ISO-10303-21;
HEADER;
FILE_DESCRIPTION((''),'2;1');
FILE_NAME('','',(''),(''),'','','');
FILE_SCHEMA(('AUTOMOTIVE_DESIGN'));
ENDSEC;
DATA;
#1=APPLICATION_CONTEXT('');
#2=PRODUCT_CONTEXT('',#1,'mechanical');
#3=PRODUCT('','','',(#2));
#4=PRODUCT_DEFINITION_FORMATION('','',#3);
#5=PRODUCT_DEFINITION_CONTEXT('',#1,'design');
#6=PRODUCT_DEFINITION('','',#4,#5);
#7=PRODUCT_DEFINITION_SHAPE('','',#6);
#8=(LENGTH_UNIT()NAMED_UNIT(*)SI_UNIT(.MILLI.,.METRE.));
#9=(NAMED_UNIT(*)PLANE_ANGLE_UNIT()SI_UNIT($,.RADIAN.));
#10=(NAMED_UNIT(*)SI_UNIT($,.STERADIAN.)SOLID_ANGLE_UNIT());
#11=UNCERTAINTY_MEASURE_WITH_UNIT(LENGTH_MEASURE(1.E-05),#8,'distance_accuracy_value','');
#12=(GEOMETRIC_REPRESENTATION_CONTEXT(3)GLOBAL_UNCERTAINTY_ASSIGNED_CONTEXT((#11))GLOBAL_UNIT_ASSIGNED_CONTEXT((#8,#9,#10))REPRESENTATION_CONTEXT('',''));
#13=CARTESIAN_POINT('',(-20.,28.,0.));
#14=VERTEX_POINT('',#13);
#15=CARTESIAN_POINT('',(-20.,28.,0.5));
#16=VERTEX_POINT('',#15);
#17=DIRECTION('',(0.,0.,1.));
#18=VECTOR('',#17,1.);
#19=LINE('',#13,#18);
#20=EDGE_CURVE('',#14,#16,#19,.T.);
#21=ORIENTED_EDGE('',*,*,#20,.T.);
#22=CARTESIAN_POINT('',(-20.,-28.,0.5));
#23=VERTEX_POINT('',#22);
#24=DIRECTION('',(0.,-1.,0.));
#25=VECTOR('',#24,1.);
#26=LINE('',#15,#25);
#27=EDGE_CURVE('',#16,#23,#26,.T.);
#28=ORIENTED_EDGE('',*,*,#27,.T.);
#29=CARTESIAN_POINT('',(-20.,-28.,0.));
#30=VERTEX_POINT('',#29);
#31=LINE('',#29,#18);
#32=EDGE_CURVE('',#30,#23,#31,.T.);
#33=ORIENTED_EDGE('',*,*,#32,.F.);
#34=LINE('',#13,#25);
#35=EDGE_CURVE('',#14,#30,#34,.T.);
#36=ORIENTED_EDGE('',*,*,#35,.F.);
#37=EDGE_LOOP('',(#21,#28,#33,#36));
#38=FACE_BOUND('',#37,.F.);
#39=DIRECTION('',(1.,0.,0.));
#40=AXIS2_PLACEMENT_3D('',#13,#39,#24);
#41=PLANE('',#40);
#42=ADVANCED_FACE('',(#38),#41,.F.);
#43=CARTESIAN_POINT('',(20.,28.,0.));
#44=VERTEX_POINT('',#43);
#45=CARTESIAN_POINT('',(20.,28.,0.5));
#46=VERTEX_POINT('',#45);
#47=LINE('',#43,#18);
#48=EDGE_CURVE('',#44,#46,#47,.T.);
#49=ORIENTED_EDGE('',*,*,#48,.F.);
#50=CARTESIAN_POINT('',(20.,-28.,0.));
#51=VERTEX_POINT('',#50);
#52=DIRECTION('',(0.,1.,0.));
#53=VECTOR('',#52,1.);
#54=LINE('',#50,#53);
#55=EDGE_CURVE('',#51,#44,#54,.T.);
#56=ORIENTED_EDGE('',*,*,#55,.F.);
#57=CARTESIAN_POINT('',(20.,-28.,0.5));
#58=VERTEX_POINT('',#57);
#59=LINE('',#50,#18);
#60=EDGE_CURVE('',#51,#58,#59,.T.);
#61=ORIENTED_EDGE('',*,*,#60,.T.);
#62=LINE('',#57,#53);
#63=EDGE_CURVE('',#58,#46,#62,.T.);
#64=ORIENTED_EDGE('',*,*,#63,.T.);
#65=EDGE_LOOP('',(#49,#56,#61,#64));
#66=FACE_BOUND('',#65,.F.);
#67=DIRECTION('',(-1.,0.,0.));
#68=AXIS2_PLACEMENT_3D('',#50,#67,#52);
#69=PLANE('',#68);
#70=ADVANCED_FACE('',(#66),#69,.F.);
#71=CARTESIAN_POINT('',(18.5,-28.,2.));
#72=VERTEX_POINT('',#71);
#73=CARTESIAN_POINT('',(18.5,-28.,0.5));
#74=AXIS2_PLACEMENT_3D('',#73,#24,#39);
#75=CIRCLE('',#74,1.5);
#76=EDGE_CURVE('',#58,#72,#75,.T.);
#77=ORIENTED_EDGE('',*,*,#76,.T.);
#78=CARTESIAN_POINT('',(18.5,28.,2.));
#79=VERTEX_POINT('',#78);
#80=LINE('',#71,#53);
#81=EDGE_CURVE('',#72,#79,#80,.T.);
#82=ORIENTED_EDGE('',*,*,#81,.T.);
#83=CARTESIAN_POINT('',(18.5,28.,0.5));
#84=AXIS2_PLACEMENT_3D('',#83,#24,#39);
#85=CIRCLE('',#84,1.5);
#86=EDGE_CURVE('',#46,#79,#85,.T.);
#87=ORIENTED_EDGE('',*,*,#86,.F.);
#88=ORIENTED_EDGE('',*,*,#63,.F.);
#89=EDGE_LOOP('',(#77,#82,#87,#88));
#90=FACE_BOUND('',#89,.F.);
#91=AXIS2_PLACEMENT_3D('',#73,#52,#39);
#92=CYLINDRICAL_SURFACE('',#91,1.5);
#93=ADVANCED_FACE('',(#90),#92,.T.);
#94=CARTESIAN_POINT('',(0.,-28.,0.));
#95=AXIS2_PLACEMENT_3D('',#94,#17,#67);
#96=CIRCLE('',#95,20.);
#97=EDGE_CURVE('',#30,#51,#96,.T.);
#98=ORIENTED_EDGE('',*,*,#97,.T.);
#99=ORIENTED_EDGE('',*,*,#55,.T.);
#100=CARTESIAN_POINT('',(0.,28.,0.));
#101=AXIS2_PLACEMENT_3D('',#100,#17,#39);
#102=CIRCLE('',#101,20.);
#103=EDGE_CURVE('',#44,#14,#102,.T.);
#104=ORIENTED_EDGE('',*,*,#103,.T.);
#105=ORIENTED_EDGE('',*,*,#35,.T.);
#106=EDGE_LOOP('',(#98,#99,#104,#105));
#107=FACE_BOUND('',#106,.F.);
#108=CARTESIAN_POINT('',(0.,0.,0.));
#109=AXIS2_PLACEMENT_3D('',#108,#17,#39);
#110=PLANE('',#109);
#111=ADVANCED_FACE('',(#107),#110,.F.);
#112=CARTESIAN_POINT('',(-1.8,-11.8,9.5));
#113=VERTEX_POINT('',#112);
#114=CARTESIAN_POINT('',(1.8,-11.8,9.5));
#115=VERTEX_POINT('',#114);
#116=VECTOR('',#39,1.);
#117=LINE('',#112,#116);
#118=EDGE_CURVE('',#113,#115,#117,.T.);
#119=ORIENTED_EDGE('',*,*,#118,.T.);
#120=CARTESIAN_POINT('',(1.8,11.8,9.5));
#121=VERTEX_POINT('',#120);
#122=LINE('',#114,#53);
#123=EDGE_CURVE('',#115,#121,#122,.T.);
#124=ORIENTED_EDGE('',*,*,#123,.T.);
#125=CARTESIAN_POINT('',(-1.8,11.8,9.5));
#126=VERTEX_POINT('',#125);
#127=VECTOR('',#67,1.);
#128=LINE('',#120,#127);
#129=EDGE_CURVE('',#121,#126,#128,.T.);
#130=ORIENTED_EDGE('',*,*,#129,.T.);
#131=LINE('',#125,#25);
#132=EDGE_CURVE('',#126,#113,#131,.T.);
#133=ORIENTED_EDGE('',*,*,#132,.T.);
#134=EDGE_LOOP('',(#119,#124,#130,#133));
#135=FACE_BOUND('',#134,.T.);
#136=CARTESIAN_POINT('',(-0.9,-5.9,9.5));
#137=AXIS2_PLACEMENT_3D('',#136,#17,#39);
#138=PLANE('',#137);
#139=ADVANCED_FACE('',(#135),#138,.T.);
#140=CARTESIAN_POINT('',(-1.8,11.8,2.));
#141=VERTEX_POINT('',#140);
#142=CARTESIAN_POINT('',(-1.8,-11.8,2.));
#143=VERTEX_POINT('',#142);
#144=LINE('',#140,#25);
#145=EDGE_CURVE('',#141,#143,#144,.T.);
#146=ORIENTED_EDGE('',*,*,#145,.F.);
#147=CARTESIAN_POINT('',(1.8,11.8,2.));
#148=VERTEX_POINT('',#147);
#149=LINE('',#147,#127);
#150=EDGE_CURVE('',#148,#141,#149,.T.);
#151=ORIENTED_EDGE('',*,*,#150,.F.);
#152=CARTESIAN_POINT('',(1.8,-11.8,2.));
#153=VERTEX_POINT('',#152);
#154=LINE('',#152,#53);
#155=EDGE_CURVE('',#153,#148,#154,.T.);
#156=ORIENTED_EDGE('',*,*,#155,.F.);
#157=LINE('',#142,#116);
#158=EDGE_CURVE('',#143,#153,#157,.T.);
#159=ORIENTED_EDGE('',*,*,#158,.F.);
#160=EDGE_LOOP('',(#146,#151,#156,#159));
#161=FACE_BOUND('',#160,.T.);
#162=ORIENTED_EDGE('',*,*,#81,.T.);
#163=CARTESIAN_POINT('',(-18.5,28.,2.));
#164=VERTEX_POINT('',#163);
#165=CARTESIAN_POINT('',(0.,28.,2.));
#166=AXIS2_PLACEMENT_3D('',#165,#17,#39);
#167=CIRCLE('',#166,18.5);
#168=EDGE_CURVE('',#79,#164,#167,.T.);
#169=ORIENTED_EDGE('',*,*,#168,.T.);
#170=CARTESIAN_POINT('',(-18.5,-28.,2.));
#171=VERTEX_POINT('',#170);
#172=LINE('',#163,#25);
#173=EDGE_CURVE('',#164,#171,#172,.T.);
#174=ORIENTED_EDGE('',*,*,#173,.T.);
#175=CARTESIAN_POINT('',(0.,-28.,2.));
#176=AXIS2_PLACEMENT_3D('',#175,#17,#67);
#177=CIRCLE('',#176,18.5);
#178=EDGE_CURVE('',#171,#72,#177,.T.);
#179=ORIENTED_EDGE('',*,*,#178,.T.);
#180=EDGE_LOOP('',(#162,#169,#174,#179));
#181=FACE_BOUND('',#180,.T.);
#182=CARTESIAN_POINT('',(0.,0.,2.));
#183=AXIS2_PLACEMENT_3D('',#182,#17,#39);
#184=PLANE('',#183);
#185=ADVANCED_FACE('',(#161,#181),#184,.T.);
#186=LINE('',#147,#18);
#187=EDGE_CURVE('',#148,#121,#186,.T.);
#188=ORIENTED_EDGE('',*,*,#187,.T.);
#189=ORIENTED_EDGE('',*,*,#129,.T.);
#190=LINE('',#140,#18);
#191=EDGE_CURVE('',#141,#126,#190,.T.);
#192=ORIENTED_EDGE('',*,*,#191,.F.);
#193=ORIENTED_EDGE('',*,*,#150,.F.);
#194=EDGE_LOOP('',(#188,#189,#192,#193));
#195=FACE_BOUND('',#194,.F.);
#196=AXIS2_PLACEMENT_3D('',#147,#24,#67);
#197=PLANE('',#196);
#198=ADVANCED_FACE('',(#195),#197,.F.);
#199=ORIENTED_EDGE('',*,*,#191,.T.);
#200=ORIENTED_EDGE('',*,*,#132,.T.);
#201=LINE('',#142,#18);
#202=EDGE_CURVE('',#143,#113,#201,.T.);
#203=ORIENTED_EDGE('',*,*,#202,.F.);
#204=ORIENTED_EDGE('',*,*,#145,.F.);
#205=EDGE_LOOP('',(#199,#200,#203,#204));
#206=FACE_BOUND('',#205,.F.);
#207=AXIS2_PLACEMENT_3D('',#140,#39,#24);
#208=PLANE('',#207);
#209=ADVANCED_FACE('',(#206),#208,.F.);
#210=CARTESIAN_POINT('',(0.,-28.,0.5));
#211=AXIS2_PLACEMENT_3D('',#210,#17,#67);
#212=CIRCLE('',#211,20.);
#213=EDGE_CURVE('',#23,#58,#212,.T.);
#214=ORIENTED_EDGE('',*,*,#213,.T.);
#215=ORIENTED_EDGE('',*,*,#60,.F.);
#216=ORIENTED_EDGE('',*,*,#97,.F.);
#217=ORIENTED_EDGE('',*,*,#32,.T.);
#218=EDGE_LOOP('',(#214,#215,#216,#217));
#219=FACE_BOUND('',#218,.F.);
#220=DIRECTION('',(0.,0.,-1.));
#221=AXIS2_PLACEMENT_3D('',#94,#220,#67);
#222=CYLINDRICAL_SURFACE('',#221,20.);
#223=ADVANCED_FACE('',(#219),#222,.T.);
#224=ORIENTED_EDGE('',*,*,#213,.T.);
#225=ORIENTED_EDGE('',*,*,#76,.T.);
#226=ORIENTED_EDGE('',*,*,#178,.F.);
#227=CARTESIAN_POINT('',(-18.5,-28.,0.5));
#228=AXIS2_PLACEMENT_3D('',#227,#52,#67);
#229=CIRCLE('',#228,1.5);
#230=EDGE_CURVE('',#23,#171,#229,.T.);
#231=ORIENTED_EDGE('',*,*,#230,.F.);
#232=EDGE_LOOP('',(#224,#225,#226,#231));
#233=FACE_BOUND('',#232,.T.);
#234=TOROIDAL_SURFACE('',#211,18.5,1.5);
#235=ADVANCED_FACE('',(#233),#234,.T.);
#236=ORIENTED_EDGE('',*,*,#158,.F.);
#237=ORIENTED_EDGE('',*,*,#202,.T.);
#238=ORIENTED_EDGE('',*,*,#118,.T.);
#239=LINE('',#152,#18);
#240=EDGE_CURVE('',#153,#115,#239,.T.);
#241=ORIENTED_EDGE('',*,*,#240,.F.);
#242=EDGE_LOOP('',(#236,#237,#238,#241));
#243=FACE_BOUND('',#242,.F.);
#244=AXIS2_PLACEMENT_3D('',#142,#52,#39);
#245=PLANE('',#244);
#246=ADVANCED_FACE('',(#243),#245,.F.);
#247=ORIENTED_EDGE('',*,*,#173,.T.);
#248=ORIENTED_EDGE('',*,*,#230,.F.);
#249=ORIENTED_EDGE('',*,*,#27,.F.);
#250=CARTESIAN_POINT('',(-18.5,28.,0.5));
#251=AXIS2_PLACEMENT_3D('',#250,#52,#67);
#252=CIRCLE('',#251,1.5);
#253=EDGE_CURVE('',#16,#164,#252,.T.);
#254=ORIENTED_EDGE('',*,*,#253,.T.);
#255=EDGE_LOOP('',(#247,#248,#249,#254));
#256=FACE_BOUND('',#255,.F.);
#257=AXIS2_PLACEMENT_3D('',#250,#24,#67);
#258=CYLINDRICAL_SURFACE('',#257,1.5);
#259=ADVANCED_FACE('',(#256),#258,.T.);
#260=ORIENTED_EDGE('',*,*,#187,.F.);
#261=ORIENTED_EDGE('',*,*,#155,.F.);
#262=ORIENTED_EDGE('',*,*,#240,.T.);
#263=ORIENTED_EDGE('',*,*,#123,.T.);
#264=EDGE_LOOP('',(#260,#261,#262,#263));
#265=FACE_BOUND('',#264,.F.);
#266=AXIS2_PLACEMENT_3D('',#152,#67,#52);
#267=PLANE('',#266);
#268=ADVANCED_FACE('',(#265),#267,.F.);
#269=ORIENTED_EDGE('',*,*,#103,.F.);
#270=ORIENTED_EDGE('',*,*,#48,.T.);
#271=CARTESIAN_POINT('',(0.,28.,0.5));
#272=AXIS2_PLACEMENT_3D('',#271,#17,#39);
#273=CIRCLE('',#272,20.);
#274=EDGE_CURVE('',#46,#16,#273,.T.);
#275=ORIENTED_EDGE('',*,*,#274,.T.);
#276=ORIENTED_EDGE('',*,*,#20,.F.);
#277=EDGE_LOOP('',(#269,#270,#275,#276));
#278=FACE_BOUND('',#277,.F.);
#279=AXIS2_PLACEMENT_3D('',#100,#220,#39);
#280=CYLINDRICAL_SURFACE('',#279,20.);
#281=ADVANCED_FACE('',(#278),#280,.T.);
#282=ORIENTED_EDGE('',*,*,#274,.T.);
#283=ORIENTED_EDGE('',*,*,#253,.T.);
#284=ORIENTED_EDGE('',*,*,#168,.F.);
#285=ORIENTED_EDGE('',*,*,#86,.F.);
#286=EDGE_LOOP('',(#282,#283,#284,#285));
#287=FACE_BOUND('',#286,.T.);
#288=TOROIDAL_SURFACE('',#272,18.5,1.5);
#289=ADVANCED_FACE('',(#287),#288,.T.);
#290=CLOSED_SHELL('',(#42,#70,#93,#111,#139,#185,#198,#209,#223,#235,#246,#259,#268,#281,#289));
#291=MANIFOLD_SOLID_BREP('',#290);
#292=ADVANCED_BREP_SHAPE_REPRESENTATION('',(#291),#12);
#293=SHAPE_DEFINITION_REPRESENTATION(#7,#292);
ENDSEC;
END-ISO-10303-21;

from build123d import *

# Parameters (mm, degrees)
F2_DEPTH = 1
F4_DEPTH = 2
F5_W     = 1.8
F5_H     = 11.8
F6_DEPTH = 7.5
F7_R     = 1.5


with BuildPart() as f2:
    # F1 (on Top) → F2 (new body)
    with BuildSketch(Plane.XY):
        with BuildLine():
            Line((0, 23), (0, 0))
            Line((0, 0), (-5, 0))
            Line((-5, 0), (-5, -28))
            ThreePointArc((-5, -28), (0, -23), (5, -28))
            Line((5, -28), (5, 0))
            Line((5, 0), (5, 28))
            ThreePointArc((5, 28), (3.5355339059, 24.4644660941), (0, 23))
        make_face()
        with BuildLine():
            Line((-5, 0), (0, 0))
            Line((0, 0), (0, 23))
            ThreePointArc((0, 23), (-3.5355339059, 24.4644660941), (-5, 28))
            Line((-5, 28), (-5, 0))
        make_face()
        with BuildLine():
            ThreePointArc((-5, 28), (-3.5355339059, 24.4644660941), (0, 23))
            Line((0, 23), (0, 28))
            Line((0, 28), (-5, 28))
        make_face()
        with BuildLine():
            Line((0, 28), (0, 23))
            ThreePointArc((0, 23), (3.5355339059, 24.4644660941), (5, 28))
            Line((5, 28), (0, 28))
        make_face()
        with BuildLine():
            ThreePointArc((5, 28), (0, 33), (-5, 28))
            Line((-5, 28), (0, 28))
            Line((0, 28), (5, 28))
        make_face()
        with BuildLine():
            ThreePointArc((5, -28), (0, -23), (-5, -28))
            ThreePointArc((-5, -28), (0, -33), (5, -28))
        make_face()
    extrude(amount=F2_DEPTH)

    # F3 (on Top) → F4 (join)
    with BuildSketch(Plane.XY):
        with BuildLine():
            Line((-20, 28), (-20, -28))
            ThreePointArc((-20, -28), (0, -48), (20, -28))
            Line((20, -28), (20, 28))
            ThreePointArc((20, 28), (0, 48), (-20, 28))
        make_face()
    extrude(amount=F4_DEPTH)

    # F5 (on face) → F6 (join)
    with BuildSketch(Plane.XY.offset(2)):
        with Locations((-0.9, -5.9)):
            Rectangle(F5_W, F5_H)
        with Locations((-0.9, 5.9)):
            Rectangle(F5_W, F5_H)
        with Locations((0.9, 5.9)):
            Rectangle(F5_W, F5_H)
        with Locations((0.9, -5.9)):
            Rectangle(F5_W, F5_H)
    extrude(amount=F6_DEPTH)

    # F7
    f7_edges = [f2.edges().sort_by_distance(p)[0] for p in [
        (-20, 0, 2),
    ]]
    fillet(f7_edges, radius=F7_R)


solid = f2.part
